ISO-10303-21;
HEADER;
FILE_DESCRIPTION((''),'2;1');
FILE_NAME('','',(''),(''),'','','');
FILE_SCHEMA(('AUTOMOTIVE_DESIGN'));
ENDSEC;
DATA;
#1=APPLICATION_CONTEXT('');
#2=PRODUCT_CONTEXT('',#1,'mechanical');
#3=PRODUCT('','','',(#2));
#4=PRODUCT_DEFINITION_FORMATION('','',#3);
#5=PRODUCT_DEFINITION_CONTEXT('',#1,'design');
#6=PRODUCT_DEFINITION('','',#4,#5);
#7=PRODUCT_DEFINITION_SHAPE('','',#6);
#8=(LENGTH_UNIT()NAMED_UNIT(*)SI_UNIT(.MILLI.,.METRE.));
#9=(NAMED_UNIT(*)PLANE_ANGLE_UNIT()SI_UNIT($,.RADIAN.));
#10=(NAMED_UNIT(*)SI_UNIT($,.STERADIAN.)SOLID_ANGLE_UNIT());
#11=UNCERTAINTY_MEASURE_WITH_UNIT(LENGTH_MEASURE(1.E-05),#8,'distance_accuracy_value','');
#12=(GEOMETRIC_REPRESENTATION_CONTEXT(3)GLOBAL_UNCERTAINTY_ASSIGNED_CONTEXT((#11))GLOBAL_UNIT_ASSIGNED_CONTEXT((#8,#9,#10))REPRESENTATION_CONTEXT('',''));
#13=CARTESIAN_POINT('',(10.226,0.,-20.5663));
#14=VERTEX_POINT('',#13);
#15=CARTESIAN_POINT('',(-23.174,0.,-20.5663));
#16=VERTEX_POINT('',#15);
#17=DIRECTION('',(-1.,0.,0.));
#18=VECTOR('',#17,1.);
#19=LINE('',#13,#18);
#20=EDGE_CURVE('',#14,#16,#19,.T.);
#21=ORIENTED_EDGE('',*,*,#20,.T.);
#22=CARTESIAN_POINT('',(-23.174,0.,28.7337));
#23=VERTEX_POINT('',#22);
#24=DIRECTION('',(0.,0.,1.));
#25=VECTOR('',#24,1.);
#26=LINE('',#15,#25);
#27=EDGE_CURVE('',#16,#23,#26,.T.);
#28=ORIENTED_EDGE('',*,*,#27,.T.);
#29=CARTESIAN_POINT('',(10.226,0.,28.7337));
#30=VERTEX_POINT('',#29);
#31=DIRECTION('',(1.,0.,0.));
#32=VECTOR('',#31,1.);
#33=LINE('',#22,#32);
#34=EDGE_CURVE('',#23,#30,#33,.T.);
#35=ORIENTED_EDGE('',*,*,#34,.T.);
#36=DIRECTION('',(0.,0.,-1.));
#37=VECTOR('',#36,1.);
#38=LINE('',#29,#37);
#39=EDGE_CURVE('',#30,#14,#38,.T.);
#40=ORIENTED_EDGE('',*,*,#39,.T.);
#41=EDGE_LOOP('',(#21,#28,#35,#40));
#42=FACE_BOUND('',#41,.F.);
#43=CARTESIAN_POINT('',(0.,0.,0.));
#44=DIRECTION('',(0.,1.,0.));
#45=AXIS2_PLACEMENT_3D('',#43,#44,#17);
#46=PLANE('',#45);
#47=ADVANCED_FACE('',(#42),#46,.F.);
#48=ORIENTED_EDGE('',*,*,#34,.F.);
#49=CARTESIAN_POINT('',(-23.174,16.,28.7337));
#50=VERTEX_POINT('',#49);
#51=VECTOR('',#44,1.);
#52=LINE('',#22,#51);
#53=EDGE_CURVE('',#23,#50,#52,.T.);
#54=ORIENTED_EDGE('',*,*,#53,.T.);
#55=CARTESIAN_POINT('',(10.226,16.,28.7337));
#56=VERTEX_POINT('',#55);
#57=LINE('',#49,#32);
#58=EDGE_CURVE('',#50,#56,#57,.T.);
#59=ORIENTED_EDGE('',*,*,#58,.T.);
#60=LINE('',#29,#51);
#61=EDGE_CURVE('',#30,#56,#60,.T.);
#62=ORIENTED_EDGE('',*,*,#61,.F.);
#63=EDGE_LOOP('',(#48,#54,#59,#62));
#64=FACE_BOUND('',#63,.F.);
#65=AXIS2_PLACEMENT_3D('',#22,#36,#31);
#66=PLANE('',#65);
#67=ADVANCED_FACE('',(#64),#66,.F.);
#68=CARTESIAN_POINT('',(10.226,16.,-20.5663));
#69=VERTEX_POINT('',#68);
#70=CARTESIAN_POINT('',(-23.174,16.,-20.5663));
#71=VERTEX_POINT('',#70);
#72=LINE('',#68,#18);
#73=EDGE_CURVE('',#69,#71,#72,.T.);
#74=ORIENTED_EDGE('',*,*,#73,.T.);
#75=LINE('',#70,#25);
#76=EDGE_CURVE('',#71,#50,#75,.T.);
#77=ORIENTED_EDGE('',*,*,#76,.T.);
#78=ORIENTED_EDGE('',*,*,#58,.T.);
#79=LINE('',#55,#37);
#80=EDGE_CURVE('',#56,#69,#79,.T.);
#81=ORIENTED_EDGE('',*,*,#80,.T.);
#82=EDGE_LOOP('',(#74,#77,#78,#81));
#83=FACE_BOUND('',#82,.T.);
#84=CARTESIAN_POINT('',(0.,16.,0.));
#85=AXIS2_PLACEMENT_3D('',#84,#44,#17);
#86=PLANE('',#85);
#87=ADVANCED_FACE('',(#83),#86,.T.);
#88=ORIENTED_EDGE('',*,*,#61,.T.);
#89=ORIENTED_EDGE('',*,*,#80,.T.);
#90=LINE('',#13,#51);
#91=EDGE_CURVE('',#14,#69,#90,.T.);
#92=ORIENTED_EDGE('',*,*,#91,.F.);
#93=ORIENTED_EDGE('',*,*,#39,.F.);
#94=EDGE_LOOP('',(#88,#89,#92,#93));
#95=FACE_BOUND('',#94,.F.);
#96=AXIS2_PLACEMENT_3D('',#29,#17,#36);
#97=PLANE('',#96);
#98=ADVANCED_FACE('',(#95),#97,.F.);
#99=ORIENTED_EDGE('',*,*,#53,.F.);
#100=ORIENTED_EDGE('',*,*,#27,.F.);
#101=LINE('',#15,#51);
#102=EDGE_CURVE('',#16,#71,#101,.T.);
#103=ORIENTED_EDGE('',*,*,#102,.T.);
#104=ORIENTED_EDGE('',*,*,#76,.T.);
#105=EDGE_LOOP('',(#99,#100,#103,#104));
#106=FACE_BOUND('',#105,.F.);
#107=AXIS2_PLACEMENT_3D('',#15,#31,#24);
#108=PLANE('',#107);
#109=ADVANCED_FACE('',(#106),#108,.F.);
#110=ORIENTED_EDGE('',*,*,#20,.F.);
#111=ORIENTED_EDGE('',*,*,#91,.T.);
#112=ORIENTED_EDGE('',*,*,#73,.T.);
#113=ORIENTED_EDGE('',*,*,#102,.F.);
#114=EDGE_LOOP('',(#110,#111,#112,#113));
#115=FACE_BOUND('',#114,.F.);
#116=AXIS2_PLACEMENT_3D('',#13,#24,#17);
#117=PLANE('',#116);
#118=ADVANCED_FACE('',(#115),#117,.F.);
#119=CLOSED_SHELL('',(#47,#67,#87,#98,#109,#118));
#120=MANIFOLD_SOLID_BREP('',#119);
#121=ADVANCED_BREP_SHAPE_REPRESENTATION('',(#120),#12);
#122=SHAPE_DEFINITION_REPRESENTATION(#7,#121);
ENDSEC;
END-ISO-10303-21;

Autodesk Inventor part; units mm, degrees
ref_plane "YZ Plane" through (0, 0, 0) normal (1, 0, 0) x (0, 1, 0)
ref_plane "XZ Plane" through (0, 0, 0) normal (0, 1, 0) x (-1, 0, 0)
ref_plane "XY Plane" through (0, 0, 0) normal (0, 0, 1) x (1, 0, 0)
sketch "Sketch1" plane through (0, 0, 0) normal (0, 1, 0) x (-1, 0, 0)
  line L0 (23.174, 28.7337) -> (-10.226, 28.7337)
  line L1 (-10.226, 28.7337) -> (-10.226, -20.5663)
  line L2 (-10.226, -20.5663) -> (23.174, -20.5663)
  line L3 (23.174, -20.5663) -> (23.174, 28.7337)
  point P0 (0, 0)
  dimension "d0" = 49.3
  dimension "d1" = 33.4
extrude "Extrusion1" add sketch "Sketch1" along normal blind 16
properties part number "DB9Plug"
